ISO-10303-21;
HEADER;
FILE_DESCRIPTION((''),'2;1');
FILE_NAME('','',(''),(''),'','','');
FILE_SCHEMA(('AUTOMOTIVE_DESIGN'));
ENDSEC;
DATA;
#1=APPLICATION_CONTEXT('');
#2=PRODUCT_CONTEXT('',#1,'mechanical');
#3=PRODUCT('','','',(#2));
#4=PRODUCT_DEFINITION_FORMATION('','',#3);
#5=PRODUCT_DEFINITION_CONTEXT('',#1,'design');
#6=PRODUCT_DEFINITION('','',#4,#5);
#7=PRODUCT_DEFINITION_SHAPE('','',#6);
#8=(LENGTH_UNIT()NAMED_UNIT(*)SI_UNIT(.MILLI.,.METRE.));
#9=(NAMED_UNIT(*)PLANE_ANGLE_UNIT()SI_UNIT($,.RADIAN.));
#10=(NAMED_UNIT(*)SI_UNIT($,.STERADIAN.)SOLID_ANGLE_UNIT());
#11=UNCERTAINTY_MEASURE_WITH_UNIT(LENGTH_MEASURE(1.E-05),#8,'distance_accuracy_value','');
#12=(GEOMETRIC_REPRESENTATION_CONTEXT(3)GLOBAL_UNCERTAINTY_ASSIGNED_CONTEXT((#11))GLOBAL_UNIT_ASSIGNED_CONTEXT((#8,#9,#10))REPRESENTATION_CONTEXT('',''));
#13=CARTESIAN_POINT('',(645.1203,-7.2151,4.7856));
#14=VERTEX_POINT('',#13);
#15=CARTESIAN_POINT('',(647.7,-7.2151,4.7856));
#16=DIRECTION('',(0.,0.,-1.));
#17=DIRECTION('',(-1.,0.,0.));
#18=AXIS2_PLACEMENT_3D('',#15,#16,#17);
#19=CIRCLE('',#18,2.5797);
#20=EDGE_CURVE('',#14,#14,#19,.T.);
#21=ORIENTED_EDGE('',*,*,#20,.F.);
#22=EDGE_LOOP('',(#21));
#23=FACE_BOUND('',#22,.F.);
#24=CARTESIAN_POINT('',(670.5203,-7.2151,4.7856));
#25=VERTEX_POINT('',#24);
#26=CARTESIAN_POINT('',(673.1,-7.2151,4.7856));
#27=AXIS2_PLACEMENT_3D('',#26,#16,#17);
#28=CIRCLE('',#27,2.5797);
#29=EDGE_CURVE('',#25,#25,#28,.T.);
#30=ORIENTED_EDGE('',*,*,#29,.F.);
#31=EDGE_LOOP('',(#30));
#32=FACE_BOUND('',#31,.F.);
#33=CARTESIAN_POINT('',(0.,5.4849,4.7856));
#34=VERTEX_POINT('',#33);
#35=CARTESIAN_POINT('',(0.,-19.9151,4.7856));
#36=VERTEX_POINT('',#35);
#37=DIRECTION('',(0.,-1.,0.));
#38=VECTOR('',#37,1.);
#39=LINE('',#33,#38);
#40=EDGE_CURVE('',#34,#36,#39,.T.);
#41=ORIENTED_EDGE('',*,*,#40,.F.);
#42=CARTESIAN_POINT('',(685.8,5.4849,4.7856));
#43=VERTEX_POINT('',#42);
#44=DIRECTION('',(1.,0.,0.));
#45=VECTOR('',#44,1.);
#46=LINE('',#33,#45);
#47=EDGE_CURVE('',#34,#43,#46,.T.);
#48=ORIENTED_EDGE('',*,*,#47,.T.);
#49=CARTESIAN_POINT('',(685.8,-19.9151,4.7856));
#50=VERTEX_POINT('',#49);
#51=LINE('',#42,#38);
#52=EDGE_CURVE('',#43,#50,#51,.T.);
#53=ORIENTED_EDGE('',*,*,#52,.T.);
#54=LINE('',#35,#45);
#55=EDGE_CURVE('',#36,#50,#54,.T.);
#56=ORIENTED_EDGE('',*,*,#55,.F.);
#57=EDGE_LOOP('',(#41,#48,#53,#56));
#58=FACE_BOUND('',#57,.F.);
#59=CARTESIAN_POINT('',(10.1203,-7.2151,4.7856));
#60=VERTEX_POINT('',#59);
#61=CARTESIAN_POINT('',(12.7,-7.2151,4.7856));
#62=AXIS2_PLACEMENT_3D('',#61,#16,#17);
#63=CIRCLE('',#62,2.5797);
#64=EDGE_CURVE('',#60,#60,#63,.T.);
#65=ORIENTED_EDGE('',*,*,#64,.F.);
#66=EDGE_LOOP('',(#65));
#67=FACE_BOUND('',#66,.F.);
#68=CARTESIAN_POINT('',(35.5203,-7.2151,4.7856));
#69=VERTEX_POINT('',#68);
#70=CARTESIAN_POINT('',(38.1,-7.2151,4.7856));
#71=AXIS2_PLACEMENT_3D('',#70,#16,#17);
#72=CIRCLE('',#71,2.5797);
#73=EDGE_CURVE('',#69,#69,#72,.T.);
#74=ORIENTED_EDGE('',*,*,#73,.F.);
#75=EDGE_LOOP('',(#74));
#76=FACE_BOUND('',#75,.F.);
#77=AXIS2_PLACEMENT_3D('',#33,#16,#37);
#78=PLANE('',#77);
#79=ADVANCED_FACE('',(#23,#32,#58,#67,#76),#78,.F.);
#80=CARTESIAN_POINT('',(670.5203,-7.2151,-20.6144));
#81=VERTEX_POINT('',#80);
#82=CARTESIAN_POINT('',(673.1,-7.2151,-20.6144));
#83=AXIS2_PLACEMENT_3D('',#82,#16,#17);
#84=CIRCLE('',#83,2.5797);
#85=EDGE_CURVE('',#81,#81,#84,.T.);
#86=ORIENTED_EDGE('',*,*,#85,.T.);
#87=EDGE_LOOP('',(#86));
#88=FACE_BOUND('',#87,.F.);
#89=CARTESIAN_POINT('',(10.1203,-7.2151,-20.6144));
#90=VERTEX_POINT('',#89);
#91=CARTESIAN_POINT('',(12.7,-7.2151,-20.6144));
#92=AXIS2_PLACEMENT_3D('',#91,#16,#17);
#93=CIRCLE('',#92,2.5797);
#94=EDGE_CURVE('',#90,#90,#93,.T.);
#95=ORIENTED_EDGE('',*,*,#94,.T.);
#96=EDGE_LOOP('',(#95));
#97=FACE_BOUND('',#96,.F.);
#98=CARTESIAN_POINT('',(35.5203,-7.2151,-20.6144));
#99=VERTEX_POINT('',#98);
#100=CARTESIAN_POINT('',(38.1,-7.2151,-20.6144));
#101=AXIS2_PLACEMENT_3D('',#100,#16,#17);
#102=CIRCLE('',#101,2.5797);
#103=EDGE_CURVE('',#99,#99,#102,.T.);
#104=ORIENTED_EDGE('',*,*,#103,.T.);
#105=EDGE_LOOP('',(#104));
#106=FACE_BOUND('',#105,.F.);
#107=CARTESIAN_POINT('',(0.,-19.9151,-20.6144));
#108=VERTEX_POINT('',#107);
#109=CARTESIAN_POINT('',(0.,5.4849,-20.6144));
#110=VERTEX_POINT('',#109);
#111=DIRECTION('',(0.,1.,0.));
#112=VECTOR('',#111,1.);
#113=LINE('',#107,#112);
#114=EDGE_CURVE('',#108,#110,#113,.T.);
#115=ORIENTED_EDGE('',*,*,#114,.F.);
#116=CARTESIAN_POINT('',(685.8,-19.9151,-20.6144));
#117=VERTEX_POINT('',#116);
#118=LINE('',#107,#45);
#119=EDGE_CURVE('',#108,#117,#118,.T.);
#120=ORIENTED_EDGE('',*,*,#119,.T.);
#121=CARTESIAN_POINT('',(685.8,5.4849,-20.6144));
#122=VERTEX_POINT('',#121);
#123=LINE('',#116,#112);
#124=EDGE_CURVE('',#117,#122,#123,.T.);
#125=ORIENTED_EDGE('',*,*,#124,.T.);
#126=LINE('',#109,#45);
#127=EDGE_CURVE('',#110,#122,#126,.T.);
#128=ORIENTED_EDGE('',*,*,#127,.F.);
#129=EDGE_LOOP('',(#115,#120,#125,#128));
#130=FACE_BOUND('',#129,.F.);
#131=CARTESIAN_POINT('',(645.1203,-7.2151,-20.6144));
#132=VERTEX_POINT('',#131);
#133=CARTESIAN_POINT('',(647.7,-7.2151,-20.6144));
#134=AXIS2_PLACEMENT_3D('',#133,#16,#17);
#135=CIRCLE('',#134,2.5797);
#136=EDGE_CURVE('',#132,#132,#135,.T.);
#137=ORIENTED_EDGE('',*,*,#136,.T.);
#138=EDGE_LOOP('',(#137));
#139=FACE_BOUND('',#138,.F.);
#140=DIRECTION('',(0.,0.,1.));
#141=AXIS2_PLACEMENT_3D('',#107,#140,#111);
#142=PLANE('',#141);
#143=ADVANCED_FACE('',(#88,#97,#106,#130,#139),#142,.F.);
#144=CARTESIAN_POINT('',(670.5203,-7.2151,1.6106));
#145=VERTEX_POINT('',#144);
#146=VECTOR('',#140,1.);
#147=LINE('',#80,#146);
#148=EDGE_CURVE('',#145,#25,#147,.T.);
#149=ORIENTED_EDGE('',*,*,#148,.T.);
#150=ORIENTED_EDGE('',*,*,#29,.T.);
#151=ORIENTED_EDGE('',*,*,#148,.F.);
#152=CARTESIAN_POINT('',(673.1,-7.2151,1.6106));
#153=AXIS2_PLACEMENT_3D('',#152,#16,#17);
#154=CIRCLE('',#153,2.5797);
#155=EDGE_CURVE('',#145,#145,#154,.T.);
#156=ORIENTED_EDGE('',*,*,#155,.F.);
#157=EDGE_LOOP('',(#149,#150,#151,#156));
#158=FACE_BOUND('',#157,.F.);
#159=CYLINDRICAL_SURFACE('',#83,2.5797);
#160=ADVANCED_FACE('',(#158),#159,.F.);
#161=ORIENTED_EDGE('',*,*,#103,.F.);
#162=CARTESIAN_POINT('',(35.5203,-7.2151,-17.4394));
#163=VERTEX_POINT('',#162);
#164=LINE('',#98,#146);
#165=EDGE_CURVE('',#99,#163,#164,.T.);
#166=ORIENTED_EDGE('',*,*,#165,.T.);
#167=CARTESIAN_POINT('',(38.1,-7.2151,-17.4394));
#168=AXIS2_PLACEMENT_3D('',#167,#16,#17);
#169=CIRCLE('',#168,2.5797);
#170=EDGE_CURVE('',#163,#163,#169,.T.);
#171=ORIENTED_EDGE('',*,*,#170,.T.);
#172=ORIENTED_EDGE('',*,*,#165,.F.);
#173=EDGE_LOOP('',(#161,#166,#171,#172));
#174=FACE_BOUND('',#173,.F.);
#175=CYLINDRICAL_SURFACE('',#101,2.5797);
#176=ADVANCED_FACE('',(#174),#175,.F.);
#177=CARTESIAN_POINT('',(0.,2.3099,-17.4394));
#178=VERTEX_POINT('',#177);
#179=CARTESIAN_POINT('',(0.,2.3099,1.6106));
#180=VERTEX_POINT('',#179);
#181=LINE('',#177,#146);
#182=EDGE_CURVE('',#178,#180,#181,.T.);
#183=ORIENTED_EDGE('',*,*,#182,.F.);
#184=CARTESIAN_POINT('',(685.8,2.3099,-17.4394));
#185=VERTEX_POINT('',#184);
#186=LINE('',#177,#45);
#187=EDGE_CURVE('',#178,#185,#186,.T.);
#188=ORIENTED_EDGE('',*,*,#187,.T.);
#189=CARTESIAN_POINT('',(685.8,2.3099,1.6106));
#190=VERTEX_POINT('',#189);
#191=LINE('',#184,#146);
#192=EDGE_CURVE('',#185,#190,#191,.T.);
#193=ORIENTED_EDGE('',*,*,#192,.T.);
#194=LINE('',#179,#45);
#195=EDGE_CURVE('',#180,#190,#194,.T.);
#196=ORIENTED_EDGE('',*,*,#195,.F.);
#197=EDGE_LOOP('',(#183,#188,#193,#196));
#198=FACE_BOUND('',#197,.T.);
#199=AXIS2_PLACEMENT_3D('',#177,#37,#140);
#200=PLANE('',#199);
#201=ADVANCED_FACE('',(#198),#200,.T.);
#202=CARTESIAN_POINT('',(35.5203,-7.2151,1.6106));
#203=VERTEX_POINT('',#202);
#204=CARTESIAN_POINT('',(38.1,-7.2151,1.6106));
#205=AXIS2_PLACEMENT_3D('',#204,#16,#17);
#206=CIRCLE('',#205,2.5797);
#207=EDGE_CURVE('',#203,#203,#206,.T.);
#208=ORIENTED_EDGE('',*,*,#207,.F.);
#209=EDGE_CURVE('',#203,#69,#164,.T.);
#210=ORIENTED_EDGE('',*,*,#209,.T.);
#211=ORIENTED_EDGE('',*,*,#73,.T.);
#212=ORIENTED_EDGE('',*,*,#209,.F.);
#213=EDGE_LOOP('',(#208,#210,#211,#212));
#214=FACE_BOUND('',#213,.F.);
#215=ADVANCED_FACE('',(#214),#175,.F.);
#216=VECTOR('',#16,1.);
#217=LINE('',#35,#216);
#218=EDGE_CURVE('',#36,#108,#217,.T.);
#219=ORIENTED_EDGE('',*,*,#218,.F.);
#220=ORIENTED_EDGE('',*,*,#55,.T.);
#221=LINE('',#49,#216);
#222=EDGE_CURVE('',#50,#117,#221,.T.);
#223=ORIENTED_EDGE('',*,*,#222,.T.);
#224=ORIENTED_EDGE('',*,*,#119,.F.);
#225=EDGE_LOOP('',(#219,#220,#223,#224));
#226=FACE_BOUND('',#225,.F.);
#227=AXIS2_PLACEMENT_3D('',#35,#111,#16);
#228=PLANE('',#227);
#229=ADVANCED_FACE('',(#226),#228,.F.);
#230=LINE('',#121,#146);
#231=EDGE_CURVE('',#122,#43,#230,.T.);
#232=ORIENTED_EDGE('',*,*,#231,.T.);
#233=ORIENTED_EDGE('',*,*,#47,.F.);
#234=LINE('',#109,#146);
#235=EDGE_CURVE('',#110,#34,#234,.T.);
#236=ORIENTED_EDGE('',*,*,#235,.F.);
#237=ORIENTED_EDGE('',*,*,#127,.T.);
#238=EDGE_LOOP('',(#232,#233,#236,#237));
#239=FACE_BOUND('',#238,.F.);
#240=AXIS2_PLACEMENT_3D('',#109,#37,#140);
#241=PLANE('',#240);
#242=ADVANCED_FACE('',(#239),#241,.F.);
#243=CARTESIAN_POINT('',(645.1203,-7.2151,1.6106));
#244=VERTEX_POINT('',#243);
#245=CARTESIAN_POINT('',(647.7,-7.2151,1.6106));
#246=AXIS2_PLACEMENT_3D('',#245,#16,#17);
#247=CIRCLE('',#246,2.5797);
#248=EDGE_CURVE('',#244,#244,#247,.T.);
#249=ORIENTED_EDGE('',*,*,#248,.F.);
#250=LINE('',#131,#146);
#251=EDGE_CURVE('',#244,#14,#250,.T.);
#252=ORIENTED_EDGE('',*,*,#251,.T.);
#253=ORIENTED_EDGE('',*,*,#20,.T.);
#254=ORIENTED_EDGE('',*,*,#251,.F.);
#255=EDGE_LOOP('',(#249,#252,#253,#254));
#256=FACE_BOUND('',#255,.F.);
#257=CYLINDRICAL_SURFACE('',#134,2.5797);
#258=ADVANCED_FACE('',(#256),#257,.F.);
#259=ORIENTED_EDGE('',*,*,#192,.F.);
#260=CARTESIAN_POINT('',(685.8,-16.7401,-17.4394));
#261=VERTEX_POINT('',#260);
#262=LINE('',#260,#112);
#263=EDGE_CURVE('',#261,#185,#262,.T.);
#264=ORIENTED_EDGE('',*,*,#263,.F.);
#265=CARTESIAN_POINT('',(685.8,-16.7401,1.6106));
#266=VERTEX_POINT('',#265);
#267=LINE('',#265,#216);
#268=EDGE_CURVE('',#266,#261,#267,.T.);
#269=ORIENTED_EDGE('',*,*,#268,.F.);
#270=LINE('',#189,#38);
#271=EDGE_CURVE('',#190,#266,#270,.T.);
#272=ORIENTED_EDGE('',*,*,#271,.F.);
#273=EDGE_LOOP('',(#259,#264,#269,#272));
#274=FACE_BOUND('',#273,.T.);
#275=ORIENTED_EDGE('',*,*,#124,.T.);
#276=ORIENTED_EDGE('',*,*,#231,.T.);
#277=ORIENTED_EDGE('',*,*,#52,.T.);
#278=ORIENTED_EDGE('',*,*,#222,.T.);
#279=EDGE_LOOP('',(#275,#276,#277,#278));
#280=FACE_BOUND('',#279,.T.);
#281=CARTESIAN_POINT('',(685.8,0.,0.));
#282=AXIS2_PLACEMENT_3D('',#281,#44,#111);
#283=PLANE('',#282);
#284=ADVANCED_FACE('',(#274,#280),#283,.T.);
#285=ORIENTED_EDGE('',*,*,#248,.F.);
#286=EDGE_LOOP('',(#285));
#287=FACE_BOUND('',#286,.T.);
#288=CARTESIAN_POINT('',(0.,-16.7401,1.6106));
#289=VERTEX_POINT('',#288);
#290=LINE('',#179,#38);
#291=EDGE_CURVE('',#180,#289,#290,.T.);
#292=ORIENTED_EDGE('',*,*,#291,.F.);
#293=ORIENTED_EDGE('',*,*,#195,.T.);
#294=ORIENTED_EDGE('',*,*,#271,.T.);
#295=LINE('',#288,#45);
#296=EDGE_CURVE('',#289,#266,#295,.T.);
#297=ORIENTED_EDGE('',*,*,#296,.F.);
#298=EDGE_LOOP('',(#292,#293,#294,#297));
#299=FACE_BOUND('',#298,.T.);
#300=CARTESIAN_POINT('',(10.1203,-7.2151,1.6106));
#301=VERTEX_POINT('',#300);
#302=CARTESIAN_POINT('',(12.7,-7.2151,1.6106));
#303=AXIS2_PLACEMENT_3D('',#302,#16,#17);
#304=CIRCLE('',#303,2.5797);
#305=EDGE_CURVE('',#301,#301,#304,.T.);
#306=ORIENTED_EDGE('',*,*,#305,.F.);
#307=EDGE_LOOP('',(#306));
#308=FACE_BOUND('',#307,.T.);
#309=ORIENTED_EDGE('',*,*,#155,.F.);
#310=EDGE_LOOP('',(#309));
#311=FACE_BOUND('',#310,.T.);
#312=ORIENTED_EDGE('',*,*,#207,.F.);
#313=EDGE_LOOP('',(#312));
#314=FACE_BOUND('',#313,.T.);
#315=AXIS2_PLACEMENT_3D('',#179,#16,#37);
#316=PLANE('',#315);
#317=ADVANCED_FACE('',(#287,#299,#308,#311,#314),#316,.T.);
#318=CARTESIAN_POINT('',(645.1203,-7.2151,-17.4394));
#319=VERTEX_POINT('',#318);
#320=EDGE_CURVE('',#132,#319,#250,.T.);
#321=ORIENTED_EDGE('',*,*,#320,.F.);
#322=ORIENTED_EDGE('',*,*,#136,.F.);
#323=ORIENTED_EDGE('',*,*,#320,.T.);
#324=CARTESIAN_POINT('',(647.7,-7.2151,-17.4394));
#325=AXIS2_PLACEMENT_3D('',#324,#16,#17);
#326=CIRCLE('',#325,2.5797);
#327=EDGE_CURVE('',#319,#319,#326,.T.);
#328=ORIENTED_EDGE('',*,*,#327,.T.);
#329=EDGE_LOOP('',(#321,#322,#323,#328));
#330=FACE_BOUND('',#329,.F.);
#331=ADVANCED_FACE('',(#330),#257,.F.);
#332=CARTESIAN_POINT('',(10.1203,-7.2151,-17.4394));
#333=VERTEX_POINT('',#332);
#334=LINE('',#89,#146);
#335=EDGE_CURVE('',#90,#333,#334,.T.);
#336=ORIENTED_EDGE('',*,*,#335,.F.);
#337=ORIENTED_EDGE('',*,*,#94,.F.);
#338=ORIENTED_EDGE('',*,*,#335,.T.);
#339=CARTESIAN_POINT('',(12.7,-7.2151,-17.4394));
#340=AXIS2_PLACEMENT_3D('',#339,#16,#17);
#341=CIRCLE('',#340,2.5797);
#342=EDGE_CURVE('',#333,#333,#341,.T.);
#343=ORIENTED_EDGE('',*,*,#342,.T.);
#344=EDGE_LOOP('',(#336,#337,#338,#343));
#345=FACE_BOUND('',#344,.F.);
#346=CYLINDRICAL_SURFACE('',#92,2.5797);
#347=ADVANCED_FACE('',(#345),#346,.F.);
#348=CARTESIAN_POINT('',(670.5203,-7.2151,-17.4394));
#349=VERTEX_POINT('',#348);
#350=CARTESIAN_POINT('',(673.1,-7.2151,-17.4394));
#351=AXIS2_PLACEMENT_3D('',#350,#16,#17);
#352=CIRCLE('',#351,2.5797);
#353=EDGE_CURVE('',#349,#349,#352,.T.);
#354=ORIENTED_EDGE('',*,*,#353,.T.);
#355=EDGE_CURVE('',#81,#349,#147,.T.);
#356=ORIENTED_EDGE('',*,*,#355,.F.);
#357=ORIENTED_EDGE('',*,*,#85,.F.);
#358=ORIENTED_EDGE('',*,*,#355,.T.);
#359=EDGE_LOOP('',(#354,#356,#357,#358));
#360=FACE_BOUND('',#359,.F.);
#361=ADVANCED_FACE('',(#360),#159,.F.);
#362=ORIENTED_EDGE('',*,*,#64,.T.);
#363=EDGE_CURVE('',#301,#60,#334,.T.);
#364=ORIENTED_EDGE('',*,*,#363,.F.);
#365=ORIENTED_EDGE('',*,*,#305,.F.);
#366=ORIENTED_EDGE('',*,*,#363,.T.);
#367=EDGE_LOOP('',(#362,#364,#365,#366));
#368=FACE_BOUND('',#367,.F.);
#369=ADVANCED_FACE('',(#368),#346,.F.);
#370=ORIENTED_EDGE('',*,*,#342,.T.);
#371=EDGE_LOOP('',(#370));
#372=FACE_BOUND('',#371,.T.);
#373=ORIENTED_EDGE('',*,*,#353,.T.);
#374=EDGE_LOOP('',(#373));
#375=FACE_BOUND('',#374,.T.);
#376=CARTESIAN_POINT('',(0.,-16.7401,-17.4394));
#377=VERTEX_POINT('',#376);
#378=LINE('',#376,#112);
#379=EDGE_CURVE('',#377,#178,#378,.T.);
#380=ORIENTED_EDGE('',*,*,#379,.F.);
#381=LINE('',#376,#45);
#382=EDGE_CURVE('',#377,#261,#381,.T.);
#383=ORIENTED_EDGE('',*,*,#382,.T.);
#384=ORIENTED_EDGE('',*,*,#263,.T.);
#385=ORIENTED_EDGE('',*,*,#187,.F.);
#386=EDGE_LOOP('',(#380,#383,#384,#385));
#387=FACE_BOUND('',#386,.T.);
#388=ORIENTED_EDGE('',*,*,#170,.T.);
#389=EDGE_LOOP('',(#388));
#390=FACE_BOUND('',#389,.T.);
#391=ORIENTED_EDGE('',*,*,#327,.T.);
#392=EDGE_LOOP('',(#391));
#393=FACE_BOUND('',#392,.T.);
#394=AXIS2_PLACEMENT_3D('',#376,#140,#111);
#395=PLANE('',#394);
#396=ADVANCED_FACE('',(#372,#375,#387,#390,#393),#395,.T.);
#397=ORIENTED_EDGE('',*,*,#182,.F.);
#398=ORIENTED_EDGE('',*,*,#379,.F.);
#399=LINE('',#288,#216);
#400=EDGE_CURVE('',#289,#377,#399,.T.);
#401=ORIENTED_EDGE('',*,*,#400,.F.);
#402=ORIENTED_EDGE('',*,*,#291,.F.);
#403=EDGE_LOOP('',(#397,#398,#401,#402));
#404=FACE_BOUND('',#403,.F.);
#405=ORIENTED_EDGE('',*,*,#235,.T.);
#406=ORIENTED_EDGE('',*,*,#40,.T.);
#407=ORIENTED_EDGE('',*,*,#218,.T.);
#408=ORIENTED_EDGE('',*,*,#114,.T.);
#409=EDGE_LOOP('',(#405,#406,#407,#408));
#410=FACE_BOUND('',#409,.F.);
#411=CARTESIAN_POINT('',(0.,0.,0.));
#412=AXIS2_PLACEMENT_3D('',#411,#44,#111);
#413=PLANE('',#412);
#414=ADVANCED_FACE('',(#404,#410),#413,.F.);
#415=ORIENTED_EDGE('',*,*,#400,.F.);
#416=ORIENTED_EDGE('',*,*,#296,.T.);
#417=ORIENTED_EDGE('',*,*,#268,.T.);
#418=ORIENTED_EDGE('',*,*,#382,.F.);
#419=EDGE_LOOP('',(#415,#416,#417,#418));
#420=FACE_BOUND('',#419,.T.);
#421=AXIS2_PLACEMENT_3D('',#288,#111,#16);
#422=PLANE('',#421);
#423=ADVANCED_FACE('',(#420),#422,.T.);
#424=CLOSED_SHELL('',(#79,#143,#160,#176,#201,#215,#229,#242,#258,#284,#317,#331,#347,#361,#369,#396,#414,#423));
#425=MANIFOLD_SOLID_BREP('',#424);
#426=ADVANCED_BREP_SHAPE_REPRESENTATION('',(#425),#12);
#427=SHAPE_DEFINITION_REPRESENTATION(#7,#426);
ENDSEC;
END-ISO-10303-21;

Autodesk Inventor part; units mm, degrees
ref_plane "YZ Plane" through (0, 0, 0) normal (1, 0, 0) x (0, 1, 0)
ref_plane "XZ Plane" through (0, 0, 0) normal (0, 1, 0) x (-1, 0, 0)
ref_plane "XY Plane" through (0, 0, 0) normal (0, 0, 1) x (1, 0, 0)
sketch "Sketch1" plane through (0, 0, 0) normal (1, 0, 0) x (0, 1, 0)
  line L0 (5.4849, 4.7856) -> (-19.9151, 4.7856)
  line L1 (-19.9151, 4.7856) -> (-19.9151, -20.6144)
  line L2 (-19.9151, -20.6144) -> (5.4849, -20.6144)
  line L3 (5.4849, -20.6144) -> (5.4849, 4.7856)
  line L4 (2.3099, 1.6106) -> (-16.7401, 1.6106)
  line L5 (-16.7401, 1.6106) -> (-16.7401, -17.4394)
  line L6 (-16.7401, -17.4394) -> (2.3099, -17.4394)
  line L7 (2.3099, -17.4394) -> (2.3099, 1.6106)
  point P0 (0, 0)
  dimension "d0" = 25.4
  dimension "d1" = 25.4
  dimension "d2" = 3.175
extrude "Extrusion1" add sketch "Sketch1" along normal blind 685.8
sketch "Sketch3" plane through (0, -19.9151, -20.6144) normal (0, 0, -1) x (-1, 0, 0)
  line L0 (-685.8, 22.225) -> (-685.8, 3.175) construction
  line L1 (-685.8, 12.7) -> (-673.1, 12.7) construction
  line L2 (-673.1, 12.7) -> (-647.7, 12.7) construction
  line L3 (0, 3.175) -> (0, 22.225) construction
  line L4 (0, 12.7) -> (-12.7, 12.7) construction
  line L5 (-12.7, 12.7) -> (-38.1, 12.7) construction
  circle A0 centre (-12.7, 12.7) radius 2.5797
  circle A1 centre (-38.1, 12.7) radius 2.5797
  circle A2 centre (-673.1, 12.7) radius 2.5797
  circle A3 centre (-647.7, 12.7) radius 2.5797
  point P0 (0, 19.9151)
  dimension "d7" = 12.7
  dimension "d8" = 25.4
  dimension "d9" = 12.7
  dimension "d10" = 25.4
  dimension "d11" = 5.1594
  dimension "d12" = 5.1594
  dimension "d13" = 5.1594
  dimension "d14" = 5.1594
extrude "Extrusion3" cut sketch "Sketch3" against normal blind 584.2
properties part number "23in 1x1 Beam"
